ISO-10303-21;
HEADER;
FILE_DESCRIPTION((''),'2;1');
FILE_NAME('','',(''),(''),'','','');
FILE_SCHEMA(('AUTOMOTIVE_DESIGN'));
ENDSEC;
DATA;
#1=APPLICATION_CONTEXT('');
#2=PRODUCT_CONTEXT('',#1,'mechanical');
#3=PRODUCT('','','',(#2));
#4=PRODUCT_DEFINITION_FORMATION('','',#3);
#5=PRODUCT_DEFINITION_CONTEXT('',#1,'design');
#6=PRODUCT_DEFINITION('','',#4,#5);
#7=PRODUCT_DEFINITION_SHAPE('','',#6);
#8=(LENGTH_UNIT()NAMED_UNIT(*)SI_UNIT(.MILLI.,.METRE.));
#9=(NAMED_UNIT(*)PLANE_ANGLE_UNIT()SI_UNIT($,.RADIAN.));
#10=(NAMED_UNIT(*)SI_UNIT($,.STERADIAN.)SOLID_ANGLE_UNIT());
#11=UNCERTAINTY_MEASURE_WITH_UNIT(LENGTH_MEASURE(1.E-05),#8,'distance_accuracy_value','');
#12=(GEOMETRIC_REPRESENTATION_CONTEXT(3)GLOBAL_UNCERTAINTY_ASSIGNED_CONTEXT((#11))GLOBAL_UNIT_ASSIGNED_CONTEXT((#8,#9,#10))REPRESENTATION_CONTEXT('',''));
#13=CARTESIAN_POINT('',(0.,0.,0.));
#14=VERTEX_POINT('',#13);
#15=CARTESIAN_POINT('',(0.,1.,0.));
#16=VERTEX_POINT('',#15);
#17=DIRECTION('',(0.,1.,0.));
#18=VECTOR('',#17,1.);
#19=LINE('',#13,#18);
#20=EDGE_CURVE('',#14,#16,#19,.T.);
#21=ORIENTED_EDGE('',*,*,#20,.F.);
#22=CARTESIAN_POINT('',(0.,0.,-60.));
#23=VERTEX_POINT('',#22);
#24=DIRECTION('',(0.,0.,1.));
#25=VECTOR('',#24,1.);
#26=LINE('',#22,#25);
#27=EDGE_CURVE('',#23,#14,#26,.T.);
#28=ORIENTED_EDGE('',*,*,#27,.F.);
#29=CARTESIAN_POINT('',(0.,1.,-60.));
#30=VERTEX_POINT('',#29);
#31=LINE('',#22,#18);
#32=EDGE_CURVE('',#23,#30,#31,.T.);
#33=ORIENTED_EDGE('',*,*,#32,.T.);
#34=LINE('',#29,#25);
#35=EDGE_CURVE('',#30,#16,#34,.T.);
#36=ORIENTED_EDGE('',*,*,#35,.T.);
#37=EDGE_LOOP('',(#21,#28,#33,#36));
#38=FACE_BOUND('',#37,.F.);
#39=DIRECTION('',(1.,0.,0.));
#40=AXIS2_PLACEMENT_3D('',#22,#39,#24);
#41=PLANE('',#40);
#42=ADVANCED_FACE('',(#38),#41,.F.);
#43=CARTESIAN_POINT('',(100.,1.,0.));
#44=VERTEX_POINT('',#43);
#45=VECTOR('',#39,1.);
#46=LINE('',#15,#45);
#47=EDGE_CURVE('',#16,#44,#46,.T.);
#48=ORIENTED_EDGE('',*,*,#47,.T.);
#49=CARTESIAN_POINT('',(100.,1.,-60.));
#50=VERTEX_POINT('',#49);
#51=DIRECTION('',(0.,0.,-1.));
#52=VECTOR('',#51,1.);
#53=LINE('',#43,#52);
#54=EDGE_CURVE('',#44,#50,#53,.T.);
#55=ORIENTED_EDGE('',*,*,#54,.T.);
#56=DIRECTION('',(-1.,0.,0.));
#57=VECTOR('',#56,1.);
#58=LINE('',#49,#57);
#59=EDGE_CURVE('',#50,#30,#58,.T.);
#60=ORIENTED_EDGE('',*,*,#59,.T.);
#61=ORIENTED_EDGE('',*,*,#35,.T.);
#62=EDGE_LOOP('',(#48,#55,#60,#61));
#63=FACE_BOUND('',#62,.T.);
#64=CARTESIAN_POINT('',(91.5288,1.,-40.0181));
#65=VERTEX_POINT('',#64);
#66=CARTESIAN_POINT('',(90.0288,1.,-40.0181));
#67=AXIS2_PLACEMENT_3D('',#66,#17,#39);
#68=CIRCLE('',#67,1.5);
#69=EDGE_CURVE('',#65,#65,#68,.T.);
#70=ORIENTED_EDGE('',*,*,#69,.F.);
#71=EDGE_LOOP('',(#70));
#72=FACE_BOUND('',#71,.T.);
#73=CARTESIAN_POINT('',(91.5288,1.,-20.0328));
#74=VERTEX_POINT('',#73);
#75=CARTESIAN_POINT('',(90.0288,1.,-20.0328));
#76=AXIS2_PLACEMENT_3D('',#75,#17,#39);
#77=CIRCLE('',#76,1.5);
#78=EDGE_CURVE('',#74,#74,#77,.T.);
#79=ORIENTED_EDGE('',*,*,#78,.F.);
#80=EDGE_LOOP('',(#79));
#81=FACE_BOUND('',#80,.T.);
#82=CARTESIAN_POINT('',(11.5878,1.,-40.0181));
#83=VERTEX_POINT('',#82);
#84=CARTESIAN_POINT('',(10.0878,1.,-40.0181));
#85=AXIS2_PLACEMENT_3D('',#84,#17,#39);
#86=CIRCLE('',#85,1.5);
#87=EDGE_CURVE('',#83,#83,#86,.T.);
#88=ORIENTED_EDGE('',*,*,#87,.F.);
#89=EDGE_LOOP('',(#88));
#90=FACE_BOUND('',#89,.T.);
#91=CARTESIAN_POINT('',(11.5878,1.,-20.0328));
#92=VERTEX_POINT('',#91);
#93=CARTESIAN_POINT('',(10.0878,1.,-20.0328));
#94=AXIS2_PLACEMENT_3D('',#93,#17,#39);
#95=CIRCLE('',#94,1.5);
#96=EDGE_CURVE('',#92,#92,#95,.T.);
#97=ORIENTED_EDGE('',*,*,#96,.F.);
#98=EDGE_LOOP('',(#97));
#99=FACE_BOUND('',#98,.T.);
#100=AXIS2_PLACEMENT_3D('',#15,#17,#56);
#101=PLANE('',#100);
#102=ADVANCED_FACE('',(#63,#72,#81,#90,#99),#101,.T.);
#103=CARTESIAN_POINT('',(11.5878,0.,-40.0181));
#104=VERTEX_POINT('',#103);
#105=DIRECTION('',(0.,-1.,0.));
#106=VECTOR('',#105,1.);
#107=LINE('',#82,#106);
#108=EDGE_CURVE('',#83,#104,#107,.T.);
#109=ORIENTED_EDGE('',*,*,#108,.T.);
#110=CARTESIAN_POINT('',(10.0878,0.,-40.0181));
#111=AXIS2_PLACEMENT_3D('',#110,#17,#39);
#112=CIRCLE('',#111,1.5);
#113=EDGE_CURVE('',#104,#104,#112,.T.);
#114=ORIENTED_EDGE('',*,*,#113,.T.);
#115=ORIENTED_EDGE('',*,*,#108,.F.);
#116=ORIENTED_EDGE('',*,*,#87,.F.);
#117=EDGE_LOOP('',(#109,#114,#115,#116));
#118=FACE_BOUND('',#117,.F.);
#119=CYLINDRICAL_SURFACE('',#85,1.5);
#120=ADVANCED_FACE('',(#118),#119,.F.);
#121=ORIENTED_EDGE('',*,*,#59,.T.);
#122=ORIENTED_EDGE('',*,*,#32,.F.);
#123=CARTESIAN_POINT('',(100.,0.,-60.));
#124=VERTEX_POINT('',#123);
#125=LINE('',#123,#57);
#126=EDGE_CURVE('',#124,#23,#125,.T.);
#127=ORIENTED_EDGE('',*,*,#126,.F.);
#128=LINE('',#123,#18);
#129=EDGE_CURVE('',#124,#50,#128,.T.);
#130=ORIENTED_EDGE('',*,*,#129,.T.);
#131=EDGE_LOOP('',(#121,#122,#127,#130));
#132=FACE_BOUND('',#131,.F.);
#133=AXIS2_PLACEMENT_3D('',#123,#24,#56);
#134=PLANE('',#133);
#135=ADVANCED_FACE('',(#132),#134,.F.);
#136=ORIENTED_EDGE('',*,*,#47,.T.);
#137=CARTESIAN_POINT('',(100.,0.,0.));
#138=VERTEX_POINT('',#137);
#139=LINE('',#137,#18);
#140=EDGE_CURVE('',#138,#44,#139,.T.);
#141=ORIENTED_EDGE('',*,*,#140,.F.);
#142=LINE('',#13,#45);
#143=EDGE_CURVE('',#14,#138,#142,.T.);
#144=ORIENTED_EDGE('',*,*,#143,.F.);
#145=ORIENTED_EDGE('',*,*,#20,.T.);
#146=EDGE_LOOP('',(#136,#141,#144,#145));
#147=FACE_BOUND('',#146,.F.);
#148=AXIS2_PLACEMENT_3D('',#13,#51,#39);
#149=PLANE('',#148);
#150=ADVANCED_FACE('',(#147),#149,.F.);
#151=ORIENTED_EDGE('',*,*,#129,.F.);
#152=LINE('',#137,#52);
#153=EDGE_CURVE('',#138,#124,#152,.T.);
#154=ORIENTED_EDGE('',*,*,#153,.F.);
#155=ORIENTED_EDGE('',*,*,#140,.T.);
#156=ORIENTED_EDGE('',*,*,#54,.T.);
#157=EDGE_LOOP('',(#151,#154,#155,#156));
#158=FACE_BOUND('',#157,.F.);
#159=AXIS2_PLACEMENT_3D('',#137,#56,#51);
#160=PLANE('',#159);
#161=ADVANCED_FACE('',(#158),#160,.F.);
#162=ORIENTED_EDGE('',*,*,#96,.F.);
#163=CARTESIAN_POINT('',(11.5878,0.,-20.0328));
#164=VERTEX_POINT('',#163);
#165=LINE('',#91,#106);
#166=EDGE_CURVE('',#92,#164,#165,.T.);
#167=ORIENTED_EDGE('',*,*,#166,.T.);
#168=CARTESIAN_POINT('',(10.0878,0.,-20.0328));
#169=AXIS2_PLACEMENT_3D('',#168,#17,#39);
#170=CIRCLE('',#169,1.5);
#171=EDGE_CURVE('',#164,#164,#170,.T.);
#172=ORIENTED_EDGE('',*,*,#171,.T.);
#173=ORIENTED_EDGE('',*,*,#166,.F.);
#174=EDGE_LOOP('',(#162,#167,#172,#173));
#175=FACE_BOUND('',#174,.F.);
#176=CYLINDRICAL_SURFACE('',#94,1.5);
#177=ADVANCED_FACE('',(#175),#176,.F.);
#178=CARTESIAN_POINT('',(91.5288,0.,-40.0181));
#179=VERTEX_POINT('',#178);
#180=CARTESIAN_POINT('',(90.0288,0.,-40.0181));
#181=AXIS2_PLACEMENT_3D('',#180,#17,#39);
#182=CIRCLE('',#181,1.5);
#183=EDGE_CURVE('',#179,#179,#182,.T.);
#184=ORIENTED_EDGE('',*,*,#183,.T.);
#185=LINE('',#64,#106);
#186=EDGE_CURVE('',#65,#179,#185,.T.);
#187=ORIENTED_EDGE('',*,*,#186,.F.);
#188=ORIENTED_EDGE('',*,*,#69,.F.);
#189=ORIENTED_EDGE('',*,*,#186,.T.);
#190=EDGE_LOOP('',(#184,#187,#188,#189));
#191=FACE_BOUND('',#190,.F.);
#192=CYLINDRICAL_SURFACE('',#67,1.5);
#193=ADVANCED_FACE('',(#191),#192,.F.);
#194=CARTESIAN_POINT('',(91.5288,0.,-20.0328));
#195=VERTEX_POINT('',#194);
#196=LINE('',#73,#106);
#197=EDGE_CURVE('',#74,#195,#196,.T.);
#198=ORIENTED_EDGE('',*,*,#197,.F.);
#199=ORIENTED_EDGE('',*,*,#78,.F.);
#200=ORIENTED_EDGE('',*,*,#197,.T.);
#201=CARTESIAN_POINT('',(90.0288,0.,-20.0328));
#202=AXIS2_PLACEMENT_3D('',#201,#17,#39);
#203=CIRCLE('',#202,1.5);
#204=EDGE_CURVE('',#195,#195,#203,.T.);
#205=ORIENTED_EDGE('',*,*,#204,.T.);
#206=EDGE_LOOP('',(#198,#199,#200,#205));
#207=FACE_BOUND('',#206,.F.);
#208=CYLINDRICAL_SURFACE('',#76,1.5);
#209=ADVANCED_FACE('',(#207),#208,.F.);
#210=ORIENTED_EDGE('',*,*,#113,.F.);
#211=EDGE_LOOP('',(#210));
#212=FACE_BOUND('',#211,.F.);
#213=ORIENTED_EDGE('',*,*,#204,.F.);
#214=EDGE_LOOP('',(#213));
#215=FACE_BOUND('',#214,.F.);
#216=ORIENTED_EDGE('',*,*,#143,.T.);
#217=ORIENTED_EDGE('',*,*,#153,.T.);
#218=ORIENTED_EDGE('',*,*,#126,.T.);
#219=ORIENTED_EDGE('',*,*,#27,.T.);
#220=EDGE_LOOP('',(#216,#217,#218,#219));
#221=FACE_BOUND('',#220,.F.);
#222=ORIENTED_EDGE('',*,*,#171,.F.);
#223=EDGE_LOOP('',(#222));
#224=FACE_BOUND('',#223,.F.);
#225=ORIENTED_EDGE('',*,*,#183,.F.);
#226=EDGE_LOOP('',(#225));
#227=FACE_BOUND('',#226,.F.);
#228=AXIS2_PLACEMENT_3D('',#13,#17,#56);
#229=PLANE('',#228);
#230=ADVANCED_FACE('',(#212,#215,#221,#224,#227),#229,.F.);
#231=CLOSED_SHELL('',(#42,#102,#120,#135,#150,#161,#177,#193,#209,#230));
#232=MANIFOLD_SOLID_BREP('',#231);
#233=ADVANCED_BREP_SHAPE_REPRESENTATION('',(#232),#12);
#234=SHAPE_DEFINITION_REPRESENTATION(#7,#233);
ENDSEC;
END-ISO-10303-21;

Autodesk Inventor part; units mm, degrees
ref_plane "YZ Plane" through (0, 0, 0) normal (1, 0, 0) x (0, 1, 0)
ref_plane "XZ Plane" through (0, 0, 0) normal (0, 1, 0) x (-1, 0, 0)
ref_plane "XY Plane" through (0, 0, 0) normal (0, 0, 1) x (1, 0, 0)
sketch "Sketch1" plane through (0, 0, 0) normal (0, 1, 0) x (-1, 0, 0)
  line L0 (0, 0) -> (-100, 0)
  line L1 (-100, 0) -> (-100, -60)
  line L2 (-100, -60) -> (0, -60)
  line L3 (0, -60) -> (0, 0)
  dimension "d2" = 100
  dimension "d3" = 60
extrude "Extrusion1" add sketch "Sketch1" along normal blind 1
sketch "Sketch3" plane through (0, 1, 0) normal (0, 1, 0) x (1, 0, 0)
  circle A0 centre (10.0878, 20.0328) radius 1.5
  circle A1 centre (10.0878, 40.0181) radius 1.5
  point P0 (0, 0)
  dimension "d11" = 3
  dimension "d12" = 3
extrude "Extrusion3" cut sketch "Sketch3" against normal blind 1
sketch "Sketch4" plane through (0, 1, 0) normal (0, 1, 0) x (1, 0, 0)
  point P0 (0, 0)
sketch "Sketch5" plane through (0, 1, 0) normal (0, 1, 0) x (1, 0, 0)
  point P0 (0, 0)
sketch "Sketch6" plane through (0, 1, 0) normal (0, 1, 0) x (1, 0, 0)
  point P0 (0, 0)
sketch "Sketch7" plane through (0, 1, 0) normal (0, 1, 0) x (1, 0, 0)
  circle A0 centre (90.0288, 20.0328) radius 1.5
  circle A1 centre (90.0288, 40.0181) radius 1.5
  point P0 (0, 0)
  dimension "d15" = 3
  dimension "d16" = 3
extrude "Extrusion4" cut sketch "Sketch7" against normal blind 1
properties part number "3dmodelling2"
